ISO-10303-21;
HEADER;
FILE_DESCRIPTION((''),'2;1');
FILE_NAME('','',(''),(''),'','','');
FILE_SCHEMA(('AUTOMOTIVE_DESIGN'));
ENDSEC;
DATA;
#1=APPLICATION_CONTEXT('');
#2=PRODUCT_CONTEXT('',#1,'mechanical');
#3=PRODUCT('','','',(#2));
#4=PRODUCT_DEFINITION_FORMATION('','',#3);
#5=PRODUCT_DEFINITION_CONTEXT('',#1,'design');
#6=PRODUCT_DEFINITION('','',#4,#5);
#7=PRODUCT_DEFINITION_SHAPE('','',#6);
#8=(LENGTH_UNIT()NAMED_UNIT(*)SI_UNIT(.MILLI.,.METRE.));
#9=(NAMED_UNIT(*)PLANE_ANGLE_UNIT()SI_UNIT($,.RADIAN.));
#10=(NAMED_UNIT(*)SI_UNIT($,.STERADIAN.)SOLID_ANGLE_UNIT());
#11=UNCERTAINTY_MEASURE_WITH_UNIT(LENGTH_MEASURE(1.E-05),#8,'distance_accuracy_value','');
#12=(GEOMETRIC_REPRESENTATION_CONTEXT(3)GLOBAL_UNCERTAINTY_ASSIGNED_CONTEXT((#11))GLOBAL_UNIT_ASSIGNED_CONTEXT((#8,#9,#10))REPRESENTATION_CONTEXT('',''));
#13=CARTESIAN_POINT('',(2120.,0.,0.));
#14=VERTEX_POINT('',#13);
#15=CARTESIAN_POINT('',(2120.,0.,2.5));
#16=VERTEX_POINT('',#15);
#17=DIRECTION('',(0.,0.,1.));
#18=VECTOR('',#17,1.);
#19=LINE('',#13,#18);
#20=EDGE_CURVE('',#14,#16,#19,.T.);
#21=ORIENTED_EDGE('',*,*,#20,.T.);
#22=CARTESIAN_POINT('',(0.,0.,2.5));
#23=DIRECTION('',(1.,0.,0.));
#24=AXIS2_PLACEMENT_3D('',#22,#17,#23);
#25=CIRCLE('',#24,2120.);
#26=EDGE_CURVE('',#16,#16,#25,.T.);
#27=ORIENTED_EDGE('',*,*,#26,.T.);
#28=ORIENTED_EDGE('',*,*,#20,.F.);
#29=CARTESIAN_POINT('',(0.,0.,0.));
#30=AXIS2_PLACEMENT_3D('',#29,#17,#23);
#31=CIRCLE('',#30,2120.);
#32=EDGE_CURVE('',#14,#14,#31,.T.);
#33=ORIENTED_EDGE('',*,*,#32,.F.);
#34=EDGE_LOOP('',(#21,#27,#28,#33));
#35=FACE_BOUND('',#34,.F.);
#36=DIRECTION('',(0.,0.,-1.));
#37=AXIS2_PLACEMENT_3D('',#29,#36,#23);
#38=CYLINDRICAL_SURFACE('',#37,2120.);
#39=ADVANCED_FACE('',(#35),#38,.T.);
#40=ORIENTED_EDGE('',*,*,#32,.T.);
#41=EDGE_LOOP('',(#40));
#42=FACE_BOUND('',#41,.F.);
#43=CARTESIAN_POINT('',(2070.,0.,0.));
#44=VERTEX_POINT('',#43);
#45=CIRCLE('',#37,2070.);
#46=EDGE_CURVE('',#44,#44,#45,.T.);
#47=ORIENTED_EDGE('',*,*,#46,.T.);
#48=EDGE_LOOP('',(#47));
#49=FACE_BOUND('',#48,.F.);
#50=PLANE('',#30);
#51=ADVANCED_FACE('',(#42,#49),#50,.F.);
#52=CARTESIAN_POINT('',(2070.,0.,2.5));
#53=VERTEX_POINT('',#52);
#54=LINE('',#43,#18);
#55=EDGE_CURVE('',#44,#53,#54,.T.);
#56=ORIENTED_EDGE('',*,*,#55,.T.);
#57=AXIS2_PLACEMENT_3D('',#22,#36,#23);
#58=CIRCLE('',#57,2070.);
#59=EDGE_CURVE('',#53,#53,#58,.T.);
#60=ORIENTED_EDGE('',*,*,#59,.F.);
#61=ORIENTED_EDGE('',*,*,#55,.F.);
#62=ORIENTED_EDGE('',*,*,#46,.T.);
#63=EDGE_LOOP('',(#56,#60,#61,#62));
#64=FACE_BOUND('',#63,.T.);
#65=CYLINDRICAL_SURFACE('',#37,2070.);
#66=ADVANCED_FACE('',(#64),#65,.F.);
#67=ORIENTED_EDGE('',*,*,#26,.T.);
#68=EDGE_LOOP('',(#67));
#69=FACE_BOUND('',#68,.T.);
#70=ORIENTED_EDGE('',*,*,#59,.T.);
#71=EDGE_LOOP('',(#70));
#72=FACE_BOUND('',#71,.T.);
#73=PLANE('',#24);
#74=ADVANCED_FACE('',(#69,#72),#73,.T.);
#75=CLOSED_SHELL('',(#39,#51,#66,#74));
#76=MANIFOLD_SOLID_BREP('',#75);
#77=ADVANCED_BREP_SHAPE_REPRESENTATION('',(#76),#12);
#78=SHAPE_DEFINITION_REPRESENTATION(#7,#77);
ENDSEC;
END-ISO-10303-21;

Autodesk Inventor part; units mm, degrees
ref_plane "YZ Plane" through (0, 0, 0) normal (1, 0, 0) x (0, 1, 0)
ref_plane "XZ Plane" through (0, 0, 0) normal (0, 1, 0) x (-1, 0, 0)
ref_plane "XY Plane" through (0, 0, 0) normal (0, 0, 1) x (1, 0, 0)
sketch "Sketch1" plane through (0, 0, 0) normal (0, 0, 1) x (1, 0, 0)
  circle A0 centre (0, 0) radius 2120
  dimension "d0" = 4240
extrude "Extrusion1" add sketch "Sketch1" along normal blind 2.5
shell "Shell1" thickness 50 removed faces 2 at (720.9234, 751.8276, 0) at (720.9234, 751.8276, 2.5)
properties part number "Former" material "Aluminum 6061"
